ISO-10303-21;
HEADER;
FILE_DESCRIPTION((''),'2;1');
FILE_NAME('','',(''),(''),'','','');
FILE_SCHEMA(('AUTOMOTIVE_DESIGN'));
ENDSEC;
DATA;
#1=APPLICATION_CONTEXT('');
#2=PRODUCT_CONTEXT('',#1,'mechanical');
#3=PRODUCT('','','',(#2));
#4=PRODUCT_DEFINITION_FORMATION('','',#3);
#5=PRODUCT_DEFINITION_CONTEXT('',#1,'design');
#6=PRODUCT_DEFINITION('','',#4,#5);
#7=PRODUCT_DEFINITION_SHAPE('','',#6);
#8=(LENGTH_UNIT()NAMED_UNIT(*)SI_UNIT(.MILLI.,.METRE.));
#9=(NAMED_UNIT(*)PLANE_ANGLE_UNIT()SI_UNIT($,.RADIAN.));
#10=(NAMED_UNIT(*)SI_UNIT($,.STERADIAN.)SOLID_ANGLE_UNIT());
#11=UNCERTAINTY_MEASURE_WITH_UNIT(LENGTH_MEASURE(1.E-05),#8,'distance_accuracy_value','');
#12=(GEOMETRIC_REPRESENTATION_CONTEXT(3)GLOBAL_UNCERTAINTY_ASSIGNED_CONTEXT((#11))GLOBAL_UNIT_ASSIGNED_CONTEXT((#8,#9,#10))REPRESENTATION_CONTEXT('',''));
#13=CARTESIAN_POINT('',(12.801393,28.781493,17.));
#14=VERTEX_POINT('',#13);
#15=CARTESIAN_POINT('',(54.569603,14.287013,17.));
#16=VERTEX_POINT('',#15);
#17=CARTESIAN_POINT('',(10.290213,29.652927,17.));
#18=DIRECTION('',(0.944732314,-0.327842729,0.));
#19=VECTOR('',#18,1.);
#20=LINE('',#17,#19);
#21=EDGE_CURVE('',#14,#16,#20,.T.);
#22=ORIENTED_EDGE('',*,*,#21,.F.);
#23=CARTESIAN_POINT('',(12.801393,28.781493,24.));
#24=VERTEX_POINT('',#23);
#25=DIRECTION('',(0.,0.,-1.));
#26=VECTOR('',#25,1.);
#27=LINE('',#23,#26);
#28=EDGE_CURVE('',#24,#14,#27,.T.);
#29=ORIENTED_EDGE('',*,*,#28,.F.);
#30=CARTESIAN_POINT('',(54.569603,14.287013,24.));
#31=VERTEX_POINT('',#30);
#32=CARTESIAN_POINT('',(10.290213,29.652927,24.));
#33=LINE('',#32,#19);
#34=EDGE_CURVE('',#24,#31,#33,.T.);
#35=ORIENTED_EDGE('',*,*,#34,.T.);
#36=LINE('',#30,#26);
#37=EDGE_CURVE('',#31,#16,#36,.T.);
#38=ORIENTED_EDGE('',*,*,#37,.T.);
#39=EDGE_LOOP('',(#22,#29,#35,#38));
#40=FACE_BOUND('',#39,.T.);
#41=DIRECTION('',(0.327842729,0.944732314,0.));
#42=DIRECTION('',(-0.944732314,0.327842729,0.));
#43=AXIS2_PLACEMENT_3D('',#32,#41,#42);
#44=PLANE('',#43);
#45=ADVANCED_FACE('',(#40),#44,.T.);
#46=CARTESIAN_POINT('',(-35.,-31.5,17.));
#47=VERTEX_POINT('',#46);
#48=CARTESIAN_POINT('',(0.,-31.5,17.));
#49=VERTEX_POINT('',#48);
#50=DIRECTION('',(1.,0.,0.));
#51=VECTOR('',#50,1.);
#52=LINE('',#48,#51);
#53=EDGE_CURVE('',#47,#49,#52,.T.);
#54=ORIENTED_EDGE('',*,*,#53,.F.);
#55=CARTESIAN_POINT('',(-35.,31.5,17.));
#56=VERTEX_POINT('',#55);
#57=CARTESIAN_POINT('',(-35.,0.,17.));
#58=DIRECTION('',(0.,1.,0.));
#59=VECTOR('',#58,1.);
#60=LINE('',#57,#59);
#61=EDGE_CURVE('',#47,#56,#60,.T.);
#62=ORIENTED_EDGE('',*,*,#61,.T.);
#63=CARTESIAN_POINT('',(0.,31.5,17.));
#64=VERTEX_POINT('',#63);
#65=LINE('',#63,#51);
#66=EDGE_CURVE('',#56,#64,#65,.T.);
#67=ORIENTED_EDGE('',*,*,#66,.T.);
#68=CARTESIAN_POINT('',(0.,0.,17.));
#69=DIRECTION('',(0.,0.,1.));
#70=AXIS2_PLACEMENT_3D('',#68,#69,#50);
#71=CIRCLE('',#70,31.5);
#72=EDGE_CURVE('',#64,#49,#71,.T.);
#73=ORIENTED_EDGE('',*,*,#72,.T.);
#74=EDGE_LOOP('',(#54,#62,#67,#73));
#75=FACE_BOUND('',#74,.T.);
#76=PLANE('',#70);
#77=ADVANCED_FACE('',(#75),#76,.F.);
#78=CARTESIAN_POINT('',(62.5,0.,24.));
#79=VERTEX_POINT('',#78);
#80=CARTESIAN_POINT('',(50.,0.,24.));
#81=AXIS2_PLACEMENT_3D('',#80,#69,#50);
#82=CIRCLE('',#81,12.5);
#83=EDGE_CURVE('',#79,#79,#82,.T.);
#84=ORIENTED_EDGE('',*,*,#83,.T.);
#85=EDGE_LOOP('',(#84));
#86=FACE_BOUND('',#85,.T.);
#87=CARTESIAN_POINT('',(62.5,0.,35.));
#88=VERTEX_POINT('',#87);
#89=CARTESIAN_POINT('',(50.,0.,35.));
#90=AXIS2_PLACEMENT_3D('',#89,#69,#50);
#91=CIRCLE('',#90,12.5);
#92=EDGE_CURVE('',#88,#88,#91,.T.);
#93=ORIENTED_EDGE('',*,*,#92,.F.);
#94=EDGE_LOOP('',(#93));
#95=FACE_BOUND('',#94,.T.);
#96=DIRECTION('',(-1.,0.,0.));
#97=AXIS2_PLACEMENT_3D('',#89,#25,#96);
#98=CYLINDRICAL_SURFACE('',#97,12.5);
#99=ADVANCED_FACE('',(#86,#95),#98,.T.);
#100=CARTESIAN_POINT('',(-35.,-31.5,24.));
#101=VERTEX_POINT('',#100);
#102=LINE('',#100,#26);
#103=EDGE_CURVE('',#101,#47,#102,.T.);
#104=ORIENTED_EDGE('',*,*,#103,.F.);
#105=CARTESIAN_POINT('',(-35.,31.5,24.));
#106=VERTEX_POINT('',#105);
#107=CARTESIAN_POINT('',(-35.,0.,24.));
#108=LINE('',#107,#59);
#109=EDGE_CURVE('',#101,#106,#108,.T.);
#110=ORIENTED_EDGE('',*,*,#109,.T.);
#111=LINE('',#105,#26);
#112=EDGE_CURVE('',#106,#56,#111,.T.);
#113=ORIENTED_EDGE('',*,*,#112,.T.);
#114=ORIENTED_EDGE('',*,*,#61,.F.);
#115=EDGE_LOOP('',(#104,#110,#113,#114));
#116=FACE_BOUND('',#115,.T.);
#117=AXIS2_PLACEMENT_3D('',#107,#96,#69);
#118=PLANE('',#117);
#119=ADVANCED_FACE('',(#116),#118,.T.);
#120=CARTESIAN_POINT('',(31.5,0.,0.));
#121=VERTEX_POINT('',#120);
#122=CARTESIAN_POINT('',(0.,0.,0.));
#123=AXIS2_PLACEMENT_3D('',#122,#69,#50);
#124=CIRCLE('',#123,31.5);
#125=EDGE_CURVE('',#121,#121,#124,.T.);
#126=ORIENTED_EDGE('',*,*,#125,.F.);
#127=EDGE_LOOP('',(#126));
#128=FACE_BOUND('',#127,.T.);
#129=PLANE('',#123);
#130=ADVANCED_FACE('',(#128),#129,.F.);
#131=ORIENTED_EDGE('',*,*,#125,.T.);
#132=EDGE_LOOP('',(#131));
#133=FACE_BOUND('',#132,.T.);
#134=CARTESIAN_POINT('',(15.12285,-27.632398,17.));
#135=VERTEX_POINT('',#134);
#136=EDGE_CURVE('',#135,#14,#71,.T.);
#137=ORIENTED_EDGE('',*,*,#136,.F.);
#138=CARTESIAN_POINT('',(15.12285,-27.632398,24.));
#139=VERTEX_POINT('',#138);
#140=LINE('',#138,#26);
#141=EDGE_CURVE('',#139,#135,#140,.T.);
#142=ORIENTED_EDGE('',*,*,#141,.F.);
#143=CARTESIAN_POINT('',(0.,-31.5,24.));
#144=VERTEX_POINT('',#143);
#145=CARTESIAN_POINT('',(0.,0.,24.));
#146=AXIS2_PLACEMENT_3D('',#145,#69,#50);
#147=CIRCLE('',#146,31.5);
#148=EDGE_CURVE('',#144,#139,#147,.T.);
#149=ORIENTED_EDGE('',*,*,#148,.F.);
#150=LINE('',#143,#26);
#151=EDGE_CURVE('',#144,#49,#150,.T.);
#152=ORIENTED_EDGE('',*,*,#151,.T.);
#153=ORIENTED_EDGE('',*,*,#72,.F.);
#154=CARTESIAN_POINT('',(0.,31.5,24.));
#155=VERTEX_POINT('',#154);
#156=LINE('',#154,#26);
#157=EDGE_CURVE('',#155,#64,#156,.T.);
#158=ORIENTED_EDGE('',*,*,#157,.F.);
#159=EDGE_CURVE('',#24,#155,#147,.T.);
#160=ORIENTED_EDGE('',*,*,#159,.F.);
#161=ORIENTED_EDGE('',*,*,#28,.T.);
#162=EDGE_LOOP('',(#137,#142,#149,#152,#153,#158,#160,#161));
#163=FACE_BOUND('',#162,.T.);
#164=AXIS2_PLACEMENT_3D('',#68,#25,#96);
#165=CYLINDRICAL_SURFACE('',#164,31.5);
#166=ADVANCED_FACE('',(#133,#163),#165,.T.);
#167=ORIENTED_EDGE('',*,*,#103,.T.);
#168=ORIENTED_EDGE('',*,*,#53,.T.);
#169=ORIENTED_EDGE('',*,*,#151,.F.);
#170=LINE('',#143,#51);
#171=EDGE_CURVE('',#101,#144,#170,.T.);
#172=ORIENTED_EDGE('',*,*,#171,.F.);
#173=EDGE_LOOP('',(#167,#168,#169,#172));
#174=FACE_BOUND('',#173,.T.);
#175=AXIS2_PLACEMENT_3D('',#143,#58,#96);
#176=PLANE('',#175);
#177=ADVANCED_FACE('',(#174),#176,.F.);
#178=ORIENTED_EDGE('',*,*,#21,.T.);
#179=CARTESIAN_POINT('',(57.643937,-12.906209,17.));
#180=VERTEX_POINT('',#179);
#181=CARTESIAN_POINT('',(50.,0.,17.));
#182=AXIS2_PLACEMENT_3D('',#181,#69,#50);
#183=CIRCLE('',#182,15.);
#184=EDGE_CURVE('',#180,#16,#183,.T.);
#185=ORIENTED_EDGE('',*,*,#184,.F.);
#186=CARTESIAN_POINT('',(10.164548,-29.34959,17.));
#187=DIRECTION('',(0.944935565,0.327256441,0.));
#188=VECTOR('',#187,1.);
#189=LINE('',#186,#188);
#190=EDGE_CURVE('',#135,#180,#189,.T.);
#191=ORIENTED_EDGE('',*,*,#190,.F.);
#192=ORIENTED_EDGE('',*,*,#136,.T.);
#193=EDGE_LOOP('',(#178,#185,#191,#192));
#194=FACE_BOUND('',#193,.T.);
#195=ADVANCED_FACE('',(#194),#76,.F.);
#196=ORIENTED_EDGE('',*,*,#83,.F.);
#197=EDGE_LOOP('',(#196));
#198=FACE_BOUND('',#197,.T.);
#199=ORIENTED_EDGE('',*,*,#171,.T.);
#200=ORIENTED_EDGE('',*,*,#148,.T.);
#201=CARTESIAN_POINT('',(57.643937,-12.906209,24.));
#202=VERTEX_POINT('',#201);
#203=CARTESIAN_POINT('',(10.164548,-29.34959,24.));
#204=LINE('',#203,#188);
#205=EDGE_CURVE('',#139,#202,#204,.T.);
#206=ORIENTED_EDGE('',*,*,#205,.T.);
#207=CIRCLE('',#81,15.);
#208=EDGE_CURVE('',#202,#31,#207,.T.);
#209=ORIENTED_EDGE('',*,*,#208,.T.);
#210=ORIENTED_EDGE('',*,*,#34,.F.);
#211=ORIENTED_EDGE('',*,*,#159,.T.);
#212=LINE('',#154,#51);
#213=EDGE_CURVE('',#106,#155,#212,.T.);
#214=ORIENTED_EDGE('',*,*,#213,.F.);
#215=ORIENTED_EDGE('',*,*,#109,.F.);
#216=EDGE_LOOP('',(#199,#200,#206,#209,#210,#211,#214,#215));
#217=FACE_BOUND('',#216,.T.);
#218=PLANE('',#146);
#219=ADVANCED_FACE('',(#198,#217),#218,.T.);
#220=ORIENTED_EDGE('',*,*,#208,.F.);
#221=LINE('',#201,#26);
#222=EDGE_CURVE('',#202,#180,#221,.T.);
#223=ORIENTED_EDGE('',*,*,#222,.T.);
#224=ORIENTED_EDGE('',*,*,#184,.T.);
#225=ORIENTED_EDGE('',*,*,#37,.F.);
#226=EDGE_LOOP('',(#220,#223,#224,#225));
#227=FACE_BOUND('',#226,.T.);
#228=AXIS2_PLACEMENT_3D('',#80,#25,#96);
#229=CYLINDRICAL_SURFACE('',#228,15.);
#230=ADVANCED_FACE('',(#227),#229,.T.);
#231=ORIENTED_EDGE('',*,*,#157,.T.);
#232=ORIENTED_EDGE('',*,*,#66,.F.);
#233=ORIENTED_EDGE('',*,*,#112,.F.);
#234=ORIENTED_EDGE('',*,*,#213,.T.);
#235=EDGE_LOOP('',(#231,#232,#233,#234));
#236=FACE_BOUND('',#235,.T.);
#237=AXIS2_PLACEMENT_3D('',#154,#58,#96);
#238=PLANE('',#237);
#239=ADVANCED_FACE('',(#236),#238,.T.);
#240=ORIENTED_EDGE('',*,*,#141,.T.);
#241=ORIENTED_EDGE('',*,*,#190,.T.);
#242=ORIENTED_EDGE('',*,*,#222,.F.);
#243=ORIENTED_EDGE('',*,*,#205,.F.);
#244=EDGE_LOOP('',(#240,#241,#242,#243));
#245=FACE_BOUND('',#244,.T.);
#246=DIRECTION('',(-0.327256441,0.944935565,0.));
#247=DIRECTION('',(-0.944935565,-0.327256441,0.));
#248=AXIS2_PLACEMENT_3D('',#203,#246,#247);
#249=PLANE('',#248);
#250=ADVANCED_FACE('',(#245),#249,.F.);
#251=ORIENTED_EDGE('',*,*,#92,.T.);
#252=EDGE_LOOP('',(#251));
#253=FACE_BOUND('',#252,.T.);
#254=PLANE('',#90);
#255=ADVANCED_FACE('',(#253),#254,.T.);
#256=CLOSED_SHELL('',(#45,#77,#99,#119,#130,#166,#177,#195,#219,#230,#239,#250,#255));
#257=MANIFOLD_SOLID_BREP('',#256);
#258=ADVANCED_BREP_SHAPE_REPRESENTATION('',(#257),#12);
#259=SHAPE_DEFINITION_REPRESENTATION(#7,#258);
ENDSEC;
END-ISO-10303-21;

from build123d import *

# Parameters (mm, degrees)
SKETCH1_R           = 31.5
BOSS_EXTRUDE1_DEPTH = 17
SKETCH2_R           = 31.5
BOSS_EXTRUDE2_DEPTH = 7
SKETCH3_R           = 12.5
BOSS_EXTRUDE3_DEPTH = 11


with BuildPart() as part:
    # Sketch1 → Boss-Extrude1 (new body)
    with BuildSketch(Plane.XY):
        Circle(SKETCH1_R)
    extrude(amount=BOSS_EXTRUDE1_DEPTH)

    # Sketch2 → Boss-Extrude2 (add)
    with BuildSketch(Plane.XY.offset(17)):
        with BuildLine():
            Line((0, 31.5), (-35, 31.5))
            Line((-35, 31.5), (-35, -31.5))
            Line((-35, -31.5), (0, -31.5))
            ThreePointArc((0, -31.5), (-31.5, 0), (0, 31.5))
        make_face()
        with Locations(Location((0, 0, 0), (0, 0, 90))):
            Circle(SKETCH2_R)
        with BuildLine():
            Line((35, 21.078091868), (12.801393416, 28.78149278))
            ThreePointArc((12.801393416, 28.78149278), (26.414900081, 17.161091274), (31.5, 0))
            ThreePointArc((31.5, 0), (27.098152806, -16.060514142), (15.122849874, -27.632397864))
            Line((15.122849874, -27.632397864), (57.643936691, -12.906209043))
            ThreePointArc((57.643936691, -12.906209043), (64.905048238, 1.685092584), (54.569602713, 14.28701267))
            Line((54.569602713, 14.28701267), (35, 21.078091868))
        make_face()
    extrude(amount=BOSS_EXTRUDE2_DEPTH)

    # Sketch3 → Boss-Extrude3 (add)
    with BuildSketch(Plane.XY.offset(24)):
        with Locations((50, 0)):
            Circle(SKETCH3_R)
    extrude(amount=BOSS_EXTRUDE3_DEPTH)


solid = part.part
